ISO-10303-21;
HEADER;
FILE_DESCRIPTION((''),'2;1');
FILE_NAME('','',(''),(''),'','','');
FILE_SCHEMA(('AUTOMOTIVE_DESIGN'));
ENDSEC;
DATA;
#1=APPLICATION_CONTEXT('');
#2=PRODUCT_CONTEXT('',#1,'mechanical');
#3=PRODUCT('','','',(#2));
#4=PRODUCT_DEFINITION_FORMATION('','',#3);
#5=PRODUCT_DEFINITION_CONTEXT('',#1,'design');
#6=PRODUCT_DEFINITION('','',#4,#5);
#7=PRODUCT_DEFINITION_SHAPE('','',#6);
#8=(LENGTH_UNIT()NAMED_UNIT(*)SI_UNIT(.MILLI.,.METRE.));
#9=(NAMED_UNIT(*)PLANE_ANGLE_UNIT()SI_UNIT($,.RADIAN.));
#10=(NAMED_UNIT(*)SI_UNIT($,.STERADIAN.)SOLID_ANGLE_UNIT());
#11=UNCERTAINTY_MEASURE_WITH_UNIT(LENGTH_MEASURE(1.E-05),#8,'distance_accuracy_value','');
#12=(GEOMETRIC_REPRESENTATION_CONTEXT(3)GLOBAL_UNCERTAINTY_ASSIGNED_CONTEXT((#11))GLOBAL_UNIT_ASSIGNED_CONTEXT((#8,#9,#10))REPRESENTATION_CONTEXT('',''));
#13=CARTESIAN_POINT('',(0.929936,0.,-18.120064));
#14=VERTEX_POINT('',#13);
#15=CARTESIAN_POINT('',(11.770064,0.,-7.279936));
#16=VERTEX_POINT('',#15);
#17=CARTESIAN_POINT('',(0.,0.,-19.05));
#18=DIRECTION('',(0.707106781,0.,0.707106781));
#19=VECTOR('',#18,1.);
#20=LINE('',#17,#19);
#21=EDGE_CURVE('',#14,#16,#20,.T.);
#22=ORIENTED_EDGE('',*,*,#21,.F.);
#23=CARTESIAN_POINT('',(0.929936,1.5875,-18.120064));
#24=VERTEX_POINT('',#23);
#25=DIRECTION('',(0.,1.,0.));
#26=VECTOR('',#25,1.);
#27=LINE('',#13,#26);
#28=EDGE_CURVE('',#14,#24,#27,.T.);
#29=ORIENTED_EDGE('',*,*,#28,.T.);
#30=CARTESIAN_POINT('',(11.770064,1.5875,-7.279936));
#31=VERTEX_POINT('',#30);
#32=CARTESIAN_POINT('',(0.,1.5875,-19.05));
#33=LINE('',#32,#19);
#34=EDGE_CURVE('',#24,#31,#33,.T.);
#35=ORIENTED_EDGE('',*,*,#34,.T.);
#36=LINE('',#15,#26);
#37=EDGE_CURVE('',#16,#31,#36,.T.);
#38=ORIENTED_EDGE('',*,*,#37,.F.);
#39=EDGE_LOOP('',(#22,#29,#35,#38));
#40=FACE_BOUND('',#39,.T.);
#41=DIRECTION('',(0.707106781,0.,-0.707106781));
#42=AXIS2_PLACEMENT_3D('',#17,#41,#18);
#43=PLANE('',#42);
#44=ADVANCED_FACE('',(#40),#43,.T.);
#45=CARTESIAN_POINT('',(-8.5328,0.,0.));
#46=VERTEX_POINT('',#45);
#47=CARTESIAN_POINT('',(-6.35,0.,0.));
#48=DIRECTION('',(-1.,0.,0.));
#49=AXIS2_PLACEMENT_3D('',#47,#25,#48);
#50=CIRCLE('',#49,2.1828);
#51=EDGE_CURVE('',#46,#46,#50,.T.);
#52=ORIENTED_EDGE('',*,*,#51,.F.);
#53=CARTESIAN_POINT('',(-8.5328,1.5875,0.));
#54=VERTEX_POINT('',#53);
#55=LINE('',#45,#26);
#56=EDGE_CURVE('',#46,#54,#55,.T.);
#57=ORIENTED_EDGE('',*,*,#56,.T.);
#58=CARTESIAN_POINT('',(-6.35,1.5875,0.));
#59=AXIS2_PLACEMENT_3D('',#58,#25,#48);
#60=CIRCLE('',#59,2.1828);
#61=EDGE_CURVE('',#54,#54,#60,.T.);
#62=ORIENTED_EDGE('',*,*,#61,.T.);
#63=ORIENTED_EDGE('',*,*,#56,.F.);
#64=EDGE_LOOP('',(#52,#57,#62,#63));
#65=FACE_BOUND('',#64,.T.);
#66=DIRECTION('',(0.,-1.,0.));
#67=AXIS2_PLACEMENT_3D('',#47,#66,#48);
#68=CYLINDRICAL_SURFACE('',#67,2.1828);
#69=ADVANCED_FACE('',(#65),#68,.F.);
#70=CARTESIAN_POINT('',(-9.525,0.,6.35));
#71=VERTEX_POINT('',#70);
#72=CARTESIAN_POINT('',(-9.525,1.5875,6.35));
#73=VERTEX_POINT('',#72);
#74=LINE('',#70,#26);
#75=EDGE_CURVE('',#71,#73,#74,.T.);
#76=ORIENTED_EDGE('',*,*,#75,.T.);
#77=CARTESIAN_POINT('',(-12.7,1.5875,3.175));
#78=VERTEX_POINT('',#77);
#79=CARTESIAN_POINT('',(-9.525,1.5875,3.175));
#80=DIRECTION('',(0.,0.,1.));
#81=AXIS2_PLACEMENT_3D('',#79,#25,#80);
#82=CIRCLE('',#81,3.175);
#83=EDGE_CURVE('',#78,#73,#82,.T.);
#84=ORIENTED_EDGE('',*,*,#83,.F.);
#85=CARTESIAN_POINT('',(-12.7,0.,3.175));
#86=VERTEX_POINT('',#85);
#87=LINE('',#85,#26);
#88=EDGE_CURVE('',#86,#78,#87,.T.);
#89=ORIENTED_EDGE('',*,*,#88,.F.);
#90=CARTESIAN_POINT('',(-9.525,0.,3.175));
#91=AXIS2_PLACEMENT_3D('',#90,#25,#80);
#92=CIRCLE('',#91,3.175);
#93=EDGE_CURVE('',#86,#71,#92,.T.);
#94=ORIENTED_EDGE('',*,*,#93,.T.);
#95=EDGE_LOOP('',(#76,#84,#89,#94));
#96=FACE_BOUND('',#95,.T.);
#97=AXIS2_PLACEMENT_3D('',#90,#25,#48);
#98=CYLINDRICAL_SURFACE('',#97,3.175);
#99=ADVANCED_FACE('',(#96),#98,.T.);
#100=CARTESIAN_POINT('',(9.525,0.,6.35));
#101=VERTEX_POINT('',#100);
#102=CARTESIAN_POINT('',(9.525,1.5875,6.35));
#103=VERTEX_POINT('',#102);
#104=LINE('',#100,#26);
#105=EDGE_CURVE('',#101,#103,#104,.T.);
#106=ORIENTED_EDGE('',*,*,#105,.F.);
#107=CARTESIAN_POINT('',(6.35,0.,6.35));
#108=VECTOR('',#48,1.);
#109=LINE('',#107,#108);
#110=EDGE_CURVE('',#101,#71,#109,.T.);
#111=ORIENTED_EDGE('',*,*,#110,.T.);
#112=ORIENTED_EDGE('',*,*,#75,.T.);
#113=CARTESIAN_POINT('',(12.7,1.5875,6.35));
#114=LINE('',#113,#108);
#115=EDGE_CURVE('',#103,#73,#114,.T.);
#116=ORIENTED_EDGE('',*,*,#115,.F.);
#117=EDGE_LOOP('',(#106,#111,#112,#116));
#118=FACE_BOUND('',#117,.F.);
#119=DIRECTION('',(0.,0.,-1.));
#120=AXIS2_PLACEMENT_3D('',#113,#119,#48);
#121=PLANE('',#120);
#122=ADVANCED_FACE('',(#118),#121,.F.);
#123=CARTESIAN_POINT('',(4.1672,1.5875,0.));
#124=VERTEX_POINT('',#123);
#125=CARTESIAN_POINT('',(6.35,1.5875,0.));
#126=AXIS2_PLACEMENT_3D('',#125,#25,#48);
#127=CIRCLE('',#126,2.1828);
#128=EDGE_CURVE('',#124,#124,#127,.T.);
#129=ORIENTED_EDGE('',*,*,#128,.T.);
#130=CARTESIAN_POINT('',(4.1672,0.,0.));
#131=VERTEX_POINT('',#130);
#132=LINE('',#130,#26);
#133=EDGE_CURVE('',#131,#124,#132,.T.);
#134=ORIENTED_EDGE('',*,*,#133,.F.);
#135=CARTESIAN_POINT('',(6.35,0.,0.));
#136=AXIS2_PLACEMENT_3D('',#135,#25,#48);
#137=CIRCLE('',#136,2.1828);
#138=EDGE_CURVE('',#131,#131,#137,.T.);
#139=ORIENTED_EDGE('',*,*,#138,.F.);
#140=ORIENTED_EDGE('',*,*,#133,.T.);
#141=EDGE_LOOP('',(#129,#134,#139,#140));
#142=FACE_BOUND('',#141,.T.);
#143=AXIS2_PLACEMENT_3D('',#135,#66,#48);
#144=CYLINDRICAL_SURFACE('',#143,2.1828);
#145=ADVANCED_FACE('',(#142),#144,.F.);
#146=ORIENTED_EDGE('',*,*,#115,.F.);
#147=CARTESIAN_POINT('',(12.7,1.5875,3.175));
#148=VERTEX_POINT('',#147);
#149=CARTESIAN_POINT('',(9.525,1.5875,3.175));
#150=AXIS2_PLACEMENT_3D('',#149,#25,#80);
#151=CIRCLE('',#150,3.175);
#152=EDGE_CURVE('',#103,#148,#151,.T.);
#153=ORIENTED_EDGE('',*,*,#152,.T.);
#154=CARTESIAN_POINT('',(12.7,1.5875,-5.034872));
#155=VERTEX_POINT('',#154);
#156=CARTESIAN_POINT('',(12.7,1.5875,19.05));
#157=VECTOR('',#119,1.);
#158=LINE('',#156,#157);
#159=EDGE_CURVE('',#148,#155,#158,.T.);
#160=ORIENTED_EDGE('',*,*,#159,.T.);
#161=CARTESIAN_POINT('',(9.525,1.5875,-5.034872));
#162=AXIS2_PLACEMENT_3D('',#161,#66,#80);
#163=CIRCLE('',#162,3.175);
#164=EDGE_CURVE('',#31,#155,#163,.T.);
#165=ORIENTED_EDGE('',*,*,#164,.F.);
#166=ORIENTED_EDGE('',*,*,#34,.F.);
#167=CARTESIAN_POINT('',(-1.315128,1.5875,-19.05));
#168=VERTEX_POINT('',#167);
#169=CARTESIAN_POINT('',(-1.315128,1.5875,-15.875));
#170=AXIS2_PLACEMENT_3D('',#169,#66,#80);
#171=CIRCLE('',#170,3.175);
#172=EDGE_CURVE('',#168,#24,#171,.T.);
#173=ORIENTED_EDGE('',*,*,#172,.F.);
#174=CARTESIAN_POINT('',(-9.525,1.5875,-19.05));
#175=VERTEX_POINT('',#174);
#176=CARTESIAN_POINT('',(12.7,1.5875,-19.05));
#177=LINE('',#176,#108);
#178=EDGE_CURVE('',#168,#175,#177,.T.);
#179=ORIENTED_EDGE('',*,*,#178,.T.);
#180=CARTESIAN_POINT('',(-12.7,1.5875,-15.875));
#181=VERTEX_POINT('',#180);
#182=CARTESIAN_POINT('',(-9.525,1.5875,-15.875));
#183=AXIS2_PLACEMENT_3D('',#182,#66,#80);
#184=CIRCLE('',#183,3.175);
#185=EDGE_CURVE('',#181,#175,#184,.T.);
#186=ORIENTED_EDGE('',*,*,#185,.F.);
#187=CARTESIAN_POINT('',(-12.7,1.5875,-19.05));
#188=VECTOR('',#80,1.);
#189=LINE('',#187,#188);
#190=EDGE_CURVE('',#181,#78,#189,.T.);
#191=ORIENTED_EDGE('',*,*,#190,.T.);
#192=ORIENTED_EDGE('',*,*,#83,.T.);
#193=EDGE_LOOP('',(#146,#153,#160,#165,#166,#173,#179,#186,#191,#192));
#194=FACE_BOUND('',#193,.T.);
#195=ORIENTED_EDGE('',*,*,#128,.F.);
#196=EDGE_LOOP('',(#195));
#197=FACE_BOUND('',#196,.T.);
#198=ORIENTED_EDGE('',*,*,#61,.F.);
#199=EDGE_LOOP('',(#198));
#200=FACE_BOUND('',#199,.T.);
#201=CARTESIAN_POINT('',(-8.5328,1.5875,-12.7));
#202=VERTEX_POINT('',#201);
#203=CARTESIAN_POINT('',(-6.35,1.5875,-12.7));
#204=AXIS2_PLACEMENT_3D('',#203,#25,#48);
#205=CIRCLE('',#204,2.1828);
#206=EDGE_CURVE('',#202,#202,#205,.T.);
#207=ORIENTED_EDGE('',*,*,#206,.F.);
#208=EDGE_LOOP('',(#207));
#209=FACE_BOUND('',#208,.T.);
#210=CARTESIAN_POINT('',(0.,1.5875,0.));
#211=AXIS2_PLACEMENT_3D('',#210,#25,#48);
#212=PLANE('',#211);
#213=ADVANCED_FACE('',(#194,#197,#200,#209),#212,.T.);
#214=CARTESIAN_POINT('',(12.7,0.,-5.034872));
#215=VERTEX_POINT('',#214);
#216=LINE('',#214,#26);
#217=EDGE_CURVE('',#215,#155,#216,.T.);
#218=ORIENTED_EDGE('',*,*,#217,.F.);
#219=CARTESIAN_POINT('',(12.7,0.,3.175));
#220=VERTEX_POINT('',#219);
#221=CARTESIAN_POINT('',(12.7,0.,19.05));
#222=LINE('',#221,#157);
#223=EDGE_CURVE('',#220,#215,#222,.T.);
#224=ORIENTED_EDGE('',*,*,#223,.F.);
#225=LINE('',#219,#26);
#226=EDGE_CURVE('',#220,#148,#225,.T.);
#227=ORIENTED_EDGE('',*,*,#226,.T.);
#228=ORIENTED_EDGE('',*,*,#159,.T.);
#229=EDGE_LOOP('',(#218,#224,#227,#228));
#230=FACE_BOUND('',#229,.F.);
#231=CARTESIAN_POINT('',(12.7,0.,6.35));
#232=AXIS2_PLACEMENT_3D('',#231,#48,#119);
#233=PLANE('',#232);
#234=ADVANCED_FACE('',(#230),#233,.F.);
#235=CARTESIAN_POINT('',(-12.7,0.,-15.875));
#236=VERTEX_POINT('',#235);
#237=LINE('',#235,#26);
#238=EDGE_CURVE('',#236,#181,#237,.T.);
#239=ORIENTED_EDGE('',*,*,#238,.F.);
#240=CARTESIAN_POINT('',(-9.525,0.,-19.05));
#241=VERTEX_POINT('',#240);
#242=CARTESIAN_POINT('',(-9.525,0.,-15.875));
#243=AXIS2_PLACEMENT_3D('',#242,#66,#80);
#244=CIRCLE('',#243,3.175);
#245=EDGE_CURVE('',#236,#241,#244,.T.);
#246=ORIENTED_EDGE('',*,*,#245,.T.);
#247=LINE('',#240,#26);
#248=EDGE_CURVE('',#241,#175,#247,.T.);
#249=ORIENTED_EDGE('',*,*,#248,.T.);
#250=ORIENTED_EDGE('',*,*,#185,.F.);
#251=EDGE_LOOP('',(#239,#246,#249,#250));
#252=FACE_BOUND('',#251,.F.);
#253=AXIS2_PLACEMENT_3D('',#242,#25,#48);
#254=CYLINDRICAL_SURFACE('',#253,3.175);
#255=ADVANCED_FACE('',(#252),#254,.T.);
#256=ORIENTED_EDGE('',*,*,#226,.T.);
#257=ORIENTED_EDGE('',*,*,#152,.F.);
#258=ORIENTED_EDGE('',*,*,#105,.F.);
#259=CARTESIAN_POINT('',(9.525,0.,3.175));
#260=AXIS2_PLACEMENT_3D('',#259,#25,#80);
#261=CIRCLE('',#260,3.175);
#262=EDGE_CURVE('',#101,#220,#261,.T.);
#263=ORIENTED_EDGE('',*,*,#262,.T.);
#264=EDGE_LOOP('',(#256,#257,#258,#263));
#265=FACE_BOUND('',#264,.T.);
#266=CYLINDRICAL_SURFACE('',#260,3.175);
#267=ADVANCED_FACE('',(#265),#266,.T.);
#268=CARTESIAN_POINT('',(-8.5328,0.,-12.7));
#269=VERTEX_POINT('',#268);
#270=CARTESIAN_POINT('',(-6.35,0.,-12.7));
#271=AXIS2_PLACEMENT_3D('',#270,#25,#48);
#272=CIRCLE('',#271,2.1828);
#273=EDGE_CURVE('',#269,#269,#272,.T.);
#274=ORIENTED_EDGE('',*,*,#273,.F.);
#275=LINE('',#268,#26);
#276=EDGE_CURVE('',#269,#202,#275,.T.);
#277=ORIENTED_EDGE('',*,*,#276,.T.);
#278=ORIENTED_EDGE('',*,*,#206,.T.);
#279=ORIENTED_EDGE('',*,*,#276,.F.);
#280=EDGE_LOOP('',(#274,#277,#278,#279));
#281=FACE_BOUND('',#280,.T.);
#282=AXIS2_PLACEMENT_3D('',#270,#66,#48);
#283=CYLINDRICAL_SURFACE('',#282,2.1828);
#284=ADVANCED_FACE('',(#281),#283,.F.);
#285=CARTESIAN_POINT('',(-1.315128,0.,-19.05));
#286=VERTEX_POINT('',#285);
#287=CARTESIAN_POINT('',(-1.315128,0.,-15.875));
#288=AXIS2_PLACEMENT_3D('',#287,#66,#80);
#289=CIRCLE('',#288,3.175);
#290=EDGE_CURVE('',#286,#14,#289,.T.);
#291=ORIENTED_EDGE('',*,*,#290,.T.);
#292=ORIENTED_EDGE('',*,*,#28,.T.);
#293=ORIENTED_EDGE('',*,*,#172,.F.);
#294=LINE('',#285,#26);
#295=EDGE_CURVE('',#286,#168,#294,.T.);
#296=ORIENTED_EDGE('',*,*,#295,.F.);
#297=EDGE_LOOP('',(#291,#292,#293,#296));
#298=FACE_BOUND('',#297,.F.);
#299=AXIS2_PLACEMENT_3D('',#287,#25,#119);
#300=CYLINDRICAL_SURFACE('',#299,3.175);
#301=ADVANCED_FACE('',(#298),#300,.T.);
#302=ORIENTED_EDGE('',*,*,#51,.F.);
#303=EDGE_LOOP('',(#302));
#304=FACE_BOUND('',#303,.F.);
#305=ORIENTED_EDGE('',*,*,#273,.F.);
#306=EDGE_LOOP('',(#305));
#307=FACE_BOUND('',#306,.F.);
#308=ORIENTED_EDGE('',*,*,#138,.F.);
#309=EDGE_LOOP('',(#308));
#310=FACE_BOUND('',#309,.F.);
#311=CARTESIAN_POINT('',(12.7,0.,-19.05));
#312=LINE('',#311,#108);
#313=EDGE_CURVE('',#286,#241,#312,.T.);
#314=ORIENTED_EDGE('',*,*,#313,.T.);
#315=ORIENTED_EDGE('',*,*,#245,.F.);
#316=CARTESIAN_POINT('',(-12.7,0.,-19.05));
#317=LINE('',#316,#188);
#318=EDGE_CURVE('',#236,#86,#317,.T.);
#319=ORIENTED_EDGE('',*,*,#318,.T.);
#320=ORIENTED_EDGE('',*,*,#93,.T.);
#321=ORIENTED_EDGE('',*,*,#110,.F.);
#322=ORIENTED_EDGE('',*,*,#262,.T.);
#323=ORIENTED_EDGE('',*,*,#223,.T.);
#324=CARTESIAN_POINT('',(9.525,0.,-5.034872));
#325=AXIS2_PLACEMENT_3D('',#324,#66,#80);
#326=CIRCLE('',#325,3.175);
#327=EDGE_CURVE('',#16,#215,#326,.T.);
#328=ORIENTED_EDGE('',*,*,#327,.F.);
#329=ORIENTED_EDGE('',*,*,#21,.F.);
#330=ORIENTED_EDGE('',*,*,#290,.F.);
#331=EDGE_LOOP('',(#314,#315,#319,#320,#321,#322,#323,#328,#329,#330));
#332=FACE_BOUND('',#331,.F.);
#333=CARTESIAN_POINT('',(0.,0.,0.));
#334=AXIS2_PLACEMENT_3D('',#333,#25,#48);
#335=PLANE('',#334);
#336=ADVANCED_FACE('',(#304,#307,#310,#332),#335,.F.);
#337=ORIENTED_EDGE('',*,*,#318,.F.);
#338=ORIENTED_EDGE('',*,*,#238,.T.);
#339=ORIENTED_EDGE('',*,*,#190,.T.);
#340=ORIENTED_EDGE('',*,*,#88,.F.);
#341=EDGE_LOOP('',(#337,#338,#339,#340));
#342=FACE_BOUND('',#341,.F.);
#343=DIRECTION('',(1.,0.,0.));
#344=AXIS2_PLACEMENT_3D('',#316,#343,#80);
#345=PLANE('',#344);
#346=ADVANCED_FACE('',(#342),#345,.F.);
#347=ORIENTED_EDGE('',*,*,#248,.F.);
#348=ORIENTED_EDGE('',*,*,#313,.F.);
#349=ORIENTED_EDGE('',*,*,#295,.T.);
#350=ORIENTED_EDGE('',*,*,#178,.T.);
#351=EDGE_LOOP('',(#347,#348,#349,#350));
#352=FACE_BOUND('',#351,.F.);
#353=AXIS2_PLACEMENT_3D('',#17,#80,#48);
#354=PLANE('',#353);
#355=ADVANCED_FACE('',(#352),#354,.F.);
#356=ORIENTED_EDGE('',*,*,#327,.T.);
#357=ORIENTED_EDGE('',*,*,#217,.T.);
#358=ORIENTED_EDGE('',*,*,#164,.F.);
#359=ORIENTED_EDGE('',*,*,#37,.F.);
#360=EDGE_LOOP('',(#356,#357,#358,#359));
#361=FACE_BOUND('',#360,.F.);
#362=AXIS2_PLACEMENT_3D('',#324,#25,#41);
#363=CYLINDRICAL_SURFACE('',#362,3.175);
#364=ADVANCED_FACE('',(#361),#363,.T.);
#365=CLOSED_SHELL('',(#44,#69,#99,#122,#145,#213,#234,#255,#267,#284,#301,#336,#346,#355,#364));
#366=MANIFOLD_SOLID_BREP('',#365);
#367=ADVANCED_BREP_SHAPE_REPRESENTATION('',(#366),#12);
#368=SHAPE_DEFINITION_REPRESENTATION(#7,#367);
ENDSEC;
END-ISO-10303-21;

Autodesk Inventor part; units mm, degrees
ref_plane "YZ Plane" through (0, 0, 0) normal (1, 0, 0) x (0, 1, 0)
ref_plane "XZ Plane" through (0, 0, 0) normal (0, 1, 0) x (-1, 0, 0)
ref_plane "XY Plane" through (0, 0, 0) normal (0, 0, 1) x (1, 0, 0)
sketch "Sketch1" plane through (0, 0, 0) normal (0, 1, 0) x (-1, 0, 0)
  line L0 (-12.7, -19.05) -> (12.7, -19.05)
  line L1 (12.7, -19.05) -> (12.7, 19.05)
  line L2 (12.7, 19.05) -> (-12.7, 19.05)
  line L3 (-12.7, 19.05) -> (-12.7, -19.05)
  line L4 (-12.7, -19.05) -> (12.7, 19.05) construction
  line L5 (12.7, -19.05) -> (-12.7, 19.05) construction
  line L6 (12.7, 19.05) -> (0, 19.05)
  line L7 (0, 19.05) -> (0, -19.05)
  line L8 (0, -19.05) -> (12.7, -19.05)
  line L9 (12.7, -19.05) -> (12.7, 19.05)
  line L10 (0, 19.05) -> (-12.7, 6.35)
  line L11 (0, 19.05) -> (17.9605, 19.05) construction
  line L12 (0, -19.05) -> (-12.7, -6.35)
  line L13 (0, -19.05) -> (17.9605, -19.05) construction
  circle A0 centre (6.35, 0) radius 2.1828
  circle A1 centre (-6.35, 0) radius 2.1828
  circle A2 centre (6.35, 12.7) radius 2.1828
  circle A3 centre (6.35, -12.7) radius 2.1828
  point P0 (0, 0)
  point P1 (0, 0)
  point P2 (8.9803, -19.05)
  dimension "d0" = 25.4
  dimension "d1" = 38.1
  dimension "d2" = 135
  dimension "d3" = 135
  dimension "d4" = 4.3656
  dimension "d5" = 4.3656
  dimension "d6" = 4.3656
  dimension "d7" = 4.3656
  dimension "d10" = 12.7
  dimension "d11" = 6.35
  dimension "d12" = 19.05
  dimension "d13" = 19.05
extrude "Extrusion1" add sketch "Sketch1" along normal blind 1.5875 contours L7 L2 L1 L0 | L12 L3 L10 L7
sketch "Sketch2" plane through (0, 1.5875, 0) normal (0, 1, 0) x (1, 0, 0)
  line L0 (12.7, -6.35) -> (12.7, 6.35) projected
  line L1 (12.7, -6.35) -> (-18.9593, -6.35)
  line L2 (-18.9593, -6.35) -> (-18.9593, -20.186)
  line L3 (-18.9593, -20.186) -> (12.7, -20.186)
  line L4 (12.7, -20.186) -> (12.7, -6.35)
  point P0 (0, 0)
extrude "Extrusion2" cut sketch "Sketch2" against normal blind 25.4
fillet "Fillet1" radius 3.175 5 edges at (12.7, 0.7937, 6.35) (-12.7, 0.7937, 6.35) (12.7, 0.7937, -6.35) (0, 0.7937, -19.05) (-12.7, 0.7937, -19.05)
properties part number "bracket1"
